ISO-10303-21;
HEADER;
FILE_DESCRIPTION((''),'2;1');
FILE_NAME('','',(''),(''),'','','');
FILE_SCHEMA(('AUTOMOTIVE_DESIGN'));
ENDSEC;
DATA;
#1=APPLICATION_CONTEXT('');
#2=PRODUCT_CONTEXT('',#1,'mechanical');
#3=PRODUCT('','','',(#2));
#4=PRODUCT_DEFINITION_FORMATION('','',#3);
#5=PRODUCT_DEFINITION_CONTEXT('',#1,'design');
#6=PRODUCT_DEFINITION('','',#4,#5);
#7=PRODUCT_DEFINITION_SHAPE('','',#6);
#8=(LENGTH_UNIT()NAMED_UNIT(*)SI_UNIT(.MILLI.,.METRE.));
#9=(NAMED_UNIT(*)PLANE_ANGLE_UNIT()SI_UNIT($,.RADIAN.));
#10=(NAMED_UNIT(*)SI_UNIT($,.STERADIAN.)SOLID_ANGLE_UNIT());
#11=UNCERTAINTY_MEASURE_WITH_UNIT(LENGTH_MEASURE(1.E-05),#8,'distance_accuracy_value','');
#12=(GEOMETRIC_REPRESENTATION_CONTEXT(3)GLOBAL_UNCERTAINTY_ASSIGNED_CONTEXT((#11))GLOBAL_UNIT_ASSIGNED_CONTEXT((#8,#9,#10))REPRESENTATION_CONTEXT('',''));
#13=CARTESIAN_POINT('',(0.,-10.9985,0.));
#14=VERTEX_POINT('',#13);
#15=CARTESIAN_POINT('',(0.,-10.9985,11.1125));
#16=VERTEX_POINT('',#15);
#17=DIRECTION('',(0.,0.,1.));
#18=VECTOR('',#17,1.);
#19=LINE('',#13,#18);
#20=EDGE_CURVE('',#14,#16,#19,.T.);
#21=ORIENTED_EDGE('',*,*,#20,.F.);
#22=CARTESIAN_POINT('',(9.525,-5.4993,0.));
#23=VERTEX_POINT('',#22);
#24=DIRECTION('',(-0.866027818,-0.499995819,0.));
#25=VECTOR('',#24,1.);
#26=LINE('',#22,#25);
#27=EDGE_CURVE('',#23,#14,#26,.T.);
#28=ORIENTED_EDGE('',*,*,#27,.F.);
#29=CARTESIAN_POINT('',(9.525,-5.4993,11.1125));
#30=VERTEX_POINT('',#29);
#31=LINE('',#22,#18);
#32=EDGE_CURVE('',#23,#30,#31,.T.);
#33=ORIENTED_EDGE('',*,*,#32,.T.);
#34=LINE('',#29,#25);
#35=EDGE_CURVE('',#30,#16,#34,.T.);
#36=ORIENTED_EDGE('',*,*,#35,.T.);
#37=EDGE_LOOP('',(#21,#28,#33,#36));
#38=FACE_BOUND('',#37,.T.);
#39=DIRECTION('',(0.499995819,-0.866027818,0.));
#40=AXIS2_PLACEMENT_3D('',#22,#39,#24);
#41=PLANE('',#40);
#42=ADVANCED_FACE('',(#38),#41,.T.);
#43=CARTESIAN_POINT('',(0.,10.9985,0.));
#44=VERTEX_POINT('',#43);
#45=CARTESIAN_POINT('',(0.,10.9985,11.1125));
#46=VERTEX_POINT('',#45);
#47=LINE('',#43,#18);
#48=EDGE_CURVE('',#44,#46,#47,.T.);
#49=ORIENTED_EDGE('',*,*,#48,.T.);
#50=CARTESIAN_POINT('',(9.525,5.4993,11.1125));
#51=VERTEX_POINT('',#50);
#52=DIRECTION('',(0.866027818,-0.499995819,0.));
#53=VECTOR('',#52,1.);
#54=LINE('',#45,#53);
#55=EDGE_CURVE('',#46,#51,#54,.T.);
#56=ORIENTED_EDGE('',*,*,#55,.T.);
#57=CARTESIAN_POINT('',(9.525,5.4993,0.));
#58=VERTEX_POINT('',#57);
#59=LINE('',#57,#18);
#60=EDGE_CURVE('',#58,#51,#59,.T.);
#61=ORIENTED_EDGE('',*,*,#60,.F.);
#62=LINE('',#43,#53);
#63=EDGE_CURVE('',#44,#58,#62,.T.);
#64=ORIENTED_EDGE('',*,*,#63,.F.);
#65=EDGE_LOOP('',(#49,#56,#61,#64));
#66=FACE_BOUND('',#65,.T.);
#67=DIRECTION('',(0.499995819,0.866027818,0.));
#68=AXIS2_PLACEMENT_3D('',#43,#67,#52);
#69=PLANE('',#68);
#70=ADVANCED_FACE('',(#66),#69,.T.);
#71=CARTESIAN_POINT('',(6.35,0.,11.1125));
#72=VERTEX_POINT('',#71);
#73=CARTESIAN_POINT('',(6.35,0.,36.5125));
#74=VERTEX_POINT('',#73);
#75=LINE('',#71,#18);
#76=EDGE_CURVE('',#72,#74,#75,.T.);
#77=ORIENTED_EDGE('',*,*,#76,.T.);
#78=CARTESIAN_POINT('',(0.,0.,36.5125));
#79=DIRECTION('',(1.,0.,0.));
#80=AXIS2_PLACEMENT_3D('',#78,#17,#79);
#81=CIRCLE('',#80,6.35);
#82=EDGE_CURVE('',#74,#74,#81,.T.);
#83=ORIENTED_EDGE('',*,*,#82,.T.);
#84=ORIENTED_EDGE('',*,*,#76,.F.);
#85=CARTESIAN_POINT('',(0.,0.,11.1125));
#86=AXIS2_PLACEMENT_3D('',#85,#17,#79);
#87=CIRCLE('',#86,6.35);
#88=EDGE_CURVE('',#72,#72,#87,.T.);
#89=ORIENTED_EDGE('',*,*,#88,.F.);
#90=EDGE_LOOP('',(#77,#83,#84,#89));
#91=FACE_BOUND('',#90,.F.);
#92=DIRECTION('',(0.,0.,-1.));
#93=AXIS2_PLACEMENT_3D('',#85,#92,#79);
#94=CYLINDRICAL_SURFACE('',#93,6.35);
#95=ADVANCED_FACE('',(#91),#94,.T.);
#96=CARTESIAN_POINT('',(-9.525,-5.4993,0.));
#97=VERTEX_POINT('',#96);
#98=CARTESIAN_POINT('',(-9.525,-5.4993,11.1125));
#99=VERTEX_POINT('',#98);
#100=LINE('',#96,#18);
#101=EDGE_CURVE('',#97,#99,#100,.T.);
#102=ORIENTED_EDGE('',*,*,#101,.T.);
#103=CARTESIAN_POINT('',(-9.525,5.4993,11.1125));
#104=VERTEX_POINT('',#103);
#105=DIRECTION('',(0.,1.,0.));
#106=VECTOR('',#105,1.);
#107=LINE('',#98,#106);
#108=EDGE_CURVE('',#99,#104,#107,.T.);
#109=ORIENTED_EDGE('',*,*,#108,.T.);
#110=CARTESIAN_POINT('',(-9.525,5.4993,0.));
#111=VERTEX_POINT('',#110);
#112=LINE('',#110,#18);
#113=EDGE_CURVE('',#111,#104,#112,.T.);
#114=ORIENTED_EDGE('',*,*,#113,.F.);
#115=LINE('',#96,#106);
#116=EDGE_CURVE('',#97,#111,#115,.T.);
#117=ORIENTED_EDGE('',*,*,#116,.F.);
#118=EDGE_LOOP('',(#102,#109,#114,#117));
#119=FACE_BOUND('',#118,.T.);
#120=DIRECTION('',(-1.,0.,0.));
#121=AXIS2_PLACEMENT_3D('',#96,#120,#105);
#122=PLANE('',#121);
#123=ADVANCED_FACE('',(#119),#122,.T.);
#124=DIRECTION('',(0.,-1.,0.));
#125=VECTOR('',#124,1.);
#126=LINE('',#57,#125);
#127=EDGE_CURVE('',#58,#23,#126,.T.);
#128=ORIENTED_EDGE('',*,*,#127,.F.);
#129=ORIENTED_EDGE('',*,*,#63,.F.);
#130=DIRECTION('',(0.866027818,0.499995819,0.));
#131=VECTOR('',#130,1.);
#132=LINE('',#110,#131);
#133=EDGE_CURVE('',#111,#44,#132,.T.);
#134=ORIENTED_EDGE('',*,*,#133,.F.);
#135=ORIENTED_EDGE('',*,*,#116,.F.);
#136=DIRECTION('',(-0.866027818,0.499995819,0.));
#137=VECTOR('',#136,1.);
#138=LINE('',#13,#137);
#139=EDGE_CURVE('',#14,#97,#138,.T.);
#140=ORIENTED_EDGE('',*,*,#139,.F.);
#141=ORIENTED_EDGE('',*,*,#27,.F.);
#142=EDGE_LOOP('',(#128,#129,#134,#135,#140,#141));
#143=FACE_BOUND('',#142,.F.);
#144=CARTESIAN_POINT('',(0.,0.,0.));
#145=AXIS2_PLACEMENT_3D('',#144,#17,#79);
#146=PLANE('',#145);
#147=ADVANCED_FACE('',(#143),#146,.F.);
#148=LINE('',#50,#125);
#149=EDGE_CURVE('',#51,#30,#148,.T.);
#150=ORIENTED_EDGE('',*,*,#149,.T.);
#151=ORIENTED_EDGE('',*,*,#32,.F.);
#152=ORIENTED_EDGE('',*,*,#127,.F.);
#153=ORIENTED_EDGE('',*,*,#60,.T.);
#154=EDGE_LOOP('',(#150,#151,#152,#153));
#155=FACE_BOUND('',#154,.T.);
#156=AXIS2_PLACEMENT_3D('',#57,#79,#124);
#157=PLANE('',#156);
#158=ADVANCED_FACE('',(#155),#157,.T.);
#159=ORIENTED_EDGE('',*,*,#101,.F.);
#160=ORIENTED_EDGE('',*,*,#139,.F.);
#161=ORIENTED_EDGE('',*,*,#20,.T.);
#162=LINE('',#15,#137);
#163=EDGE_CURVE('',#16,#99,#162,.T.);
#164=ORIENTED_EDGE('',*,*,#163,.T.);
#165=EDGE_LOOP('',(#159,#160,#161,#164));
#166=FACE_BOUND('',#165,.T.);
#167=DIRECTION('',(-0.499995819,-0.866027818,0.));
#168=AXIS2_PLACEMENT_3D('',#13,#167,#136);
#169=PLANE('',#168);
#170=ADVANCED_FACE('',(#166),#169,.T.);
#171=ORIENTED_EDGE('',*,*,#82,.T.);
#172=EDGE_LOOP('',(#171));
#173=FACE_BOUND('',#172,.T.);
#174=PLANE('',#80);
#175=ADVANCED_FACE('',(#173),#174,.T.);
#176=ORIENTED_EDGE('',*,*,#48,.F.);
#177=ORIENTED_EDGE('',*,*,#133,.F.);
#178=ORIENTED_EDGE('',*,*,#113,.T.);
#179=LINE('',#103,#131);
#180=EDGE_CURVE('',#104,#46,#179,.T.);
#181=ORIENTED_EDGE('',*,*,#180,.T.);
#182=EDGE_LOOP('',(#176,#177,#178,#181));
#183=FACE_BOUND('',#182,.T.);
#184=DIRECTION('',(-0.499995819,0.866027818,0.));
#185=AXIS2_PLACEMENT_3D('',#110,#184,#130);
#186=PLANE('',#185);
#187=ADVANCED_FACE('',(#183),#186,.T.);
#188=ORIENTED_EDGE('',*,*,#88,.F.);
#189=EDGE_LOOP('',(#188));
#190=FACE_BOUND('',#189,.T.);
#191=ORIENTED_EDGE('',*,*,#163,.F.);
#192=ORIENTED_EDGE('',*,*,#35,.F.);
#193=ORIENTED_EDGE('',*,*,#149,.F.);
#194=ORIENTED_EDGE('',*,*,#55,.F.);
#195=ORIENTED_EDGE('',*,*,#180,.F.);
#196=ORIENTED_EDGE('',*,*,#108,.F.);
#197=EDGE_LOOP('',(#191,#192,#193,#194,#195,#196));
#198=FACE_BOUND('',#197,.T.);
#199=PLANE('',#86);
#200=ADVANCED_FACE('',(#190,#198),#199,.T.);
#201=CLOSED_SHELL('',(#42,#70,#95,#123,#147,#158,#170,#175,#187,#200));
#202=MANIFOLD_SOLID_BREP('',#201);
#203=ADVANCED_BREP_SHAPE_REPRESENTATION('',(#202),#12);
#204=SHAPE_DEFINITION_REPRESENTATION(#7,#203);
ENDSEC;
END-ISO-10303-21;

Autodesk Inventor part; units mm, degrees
ref_plane "YZ Plane" through (0, 0, 0) normal (1, 0, 0) x (0, 1, 0)
ref_plane "XZ Plane" through (0, 0, 0) normal (0, 1, 0) x (-1, 0, 0)
ref_plane "XY Plane" through (0, 0, 0) normal (0, 0, 1) x (1, 0, 0)
sketch "Sketch1" plane through (0, 0, 0) normal (0, 0, 1) x (1, 0, 0)
  line L0 (-9.525, 5.4993) -> (0, 10.9985)
  line L1 (0, 10.9985) -> (9.525, 5.4993)
  line L2 (9.525, 5.4993) -> (9.525, -5.4993)
  line L3 (9.525, -5.4993) -> (0, -10.9985)
  line L4 (0, -10.9985) -> (-9.525, -5.4993)
  line L5 (-9.525, -5.4993) -> (-9.525, 5.4993)
  point P0 (0, 0)
  point P1 (0, 0)
  dimension "d0" = 19.05
extrude "Extrusion1" add sketch "Sketch1" along normal blind 11.1125
sketch "Sketch2" plane through (0, 0, 11.1125) normal (0, 0, 1) x (1, 0, 0)
  circle A0 centre (0, 0) radius 6.35
  point P0 (0, 0)
  dimension "d3" = 12.7
extrude "Extrusion2" add sketch "Sketch2" along normal blind 25.4
properties part number "short half-inch hex bolt" material "Steel"
